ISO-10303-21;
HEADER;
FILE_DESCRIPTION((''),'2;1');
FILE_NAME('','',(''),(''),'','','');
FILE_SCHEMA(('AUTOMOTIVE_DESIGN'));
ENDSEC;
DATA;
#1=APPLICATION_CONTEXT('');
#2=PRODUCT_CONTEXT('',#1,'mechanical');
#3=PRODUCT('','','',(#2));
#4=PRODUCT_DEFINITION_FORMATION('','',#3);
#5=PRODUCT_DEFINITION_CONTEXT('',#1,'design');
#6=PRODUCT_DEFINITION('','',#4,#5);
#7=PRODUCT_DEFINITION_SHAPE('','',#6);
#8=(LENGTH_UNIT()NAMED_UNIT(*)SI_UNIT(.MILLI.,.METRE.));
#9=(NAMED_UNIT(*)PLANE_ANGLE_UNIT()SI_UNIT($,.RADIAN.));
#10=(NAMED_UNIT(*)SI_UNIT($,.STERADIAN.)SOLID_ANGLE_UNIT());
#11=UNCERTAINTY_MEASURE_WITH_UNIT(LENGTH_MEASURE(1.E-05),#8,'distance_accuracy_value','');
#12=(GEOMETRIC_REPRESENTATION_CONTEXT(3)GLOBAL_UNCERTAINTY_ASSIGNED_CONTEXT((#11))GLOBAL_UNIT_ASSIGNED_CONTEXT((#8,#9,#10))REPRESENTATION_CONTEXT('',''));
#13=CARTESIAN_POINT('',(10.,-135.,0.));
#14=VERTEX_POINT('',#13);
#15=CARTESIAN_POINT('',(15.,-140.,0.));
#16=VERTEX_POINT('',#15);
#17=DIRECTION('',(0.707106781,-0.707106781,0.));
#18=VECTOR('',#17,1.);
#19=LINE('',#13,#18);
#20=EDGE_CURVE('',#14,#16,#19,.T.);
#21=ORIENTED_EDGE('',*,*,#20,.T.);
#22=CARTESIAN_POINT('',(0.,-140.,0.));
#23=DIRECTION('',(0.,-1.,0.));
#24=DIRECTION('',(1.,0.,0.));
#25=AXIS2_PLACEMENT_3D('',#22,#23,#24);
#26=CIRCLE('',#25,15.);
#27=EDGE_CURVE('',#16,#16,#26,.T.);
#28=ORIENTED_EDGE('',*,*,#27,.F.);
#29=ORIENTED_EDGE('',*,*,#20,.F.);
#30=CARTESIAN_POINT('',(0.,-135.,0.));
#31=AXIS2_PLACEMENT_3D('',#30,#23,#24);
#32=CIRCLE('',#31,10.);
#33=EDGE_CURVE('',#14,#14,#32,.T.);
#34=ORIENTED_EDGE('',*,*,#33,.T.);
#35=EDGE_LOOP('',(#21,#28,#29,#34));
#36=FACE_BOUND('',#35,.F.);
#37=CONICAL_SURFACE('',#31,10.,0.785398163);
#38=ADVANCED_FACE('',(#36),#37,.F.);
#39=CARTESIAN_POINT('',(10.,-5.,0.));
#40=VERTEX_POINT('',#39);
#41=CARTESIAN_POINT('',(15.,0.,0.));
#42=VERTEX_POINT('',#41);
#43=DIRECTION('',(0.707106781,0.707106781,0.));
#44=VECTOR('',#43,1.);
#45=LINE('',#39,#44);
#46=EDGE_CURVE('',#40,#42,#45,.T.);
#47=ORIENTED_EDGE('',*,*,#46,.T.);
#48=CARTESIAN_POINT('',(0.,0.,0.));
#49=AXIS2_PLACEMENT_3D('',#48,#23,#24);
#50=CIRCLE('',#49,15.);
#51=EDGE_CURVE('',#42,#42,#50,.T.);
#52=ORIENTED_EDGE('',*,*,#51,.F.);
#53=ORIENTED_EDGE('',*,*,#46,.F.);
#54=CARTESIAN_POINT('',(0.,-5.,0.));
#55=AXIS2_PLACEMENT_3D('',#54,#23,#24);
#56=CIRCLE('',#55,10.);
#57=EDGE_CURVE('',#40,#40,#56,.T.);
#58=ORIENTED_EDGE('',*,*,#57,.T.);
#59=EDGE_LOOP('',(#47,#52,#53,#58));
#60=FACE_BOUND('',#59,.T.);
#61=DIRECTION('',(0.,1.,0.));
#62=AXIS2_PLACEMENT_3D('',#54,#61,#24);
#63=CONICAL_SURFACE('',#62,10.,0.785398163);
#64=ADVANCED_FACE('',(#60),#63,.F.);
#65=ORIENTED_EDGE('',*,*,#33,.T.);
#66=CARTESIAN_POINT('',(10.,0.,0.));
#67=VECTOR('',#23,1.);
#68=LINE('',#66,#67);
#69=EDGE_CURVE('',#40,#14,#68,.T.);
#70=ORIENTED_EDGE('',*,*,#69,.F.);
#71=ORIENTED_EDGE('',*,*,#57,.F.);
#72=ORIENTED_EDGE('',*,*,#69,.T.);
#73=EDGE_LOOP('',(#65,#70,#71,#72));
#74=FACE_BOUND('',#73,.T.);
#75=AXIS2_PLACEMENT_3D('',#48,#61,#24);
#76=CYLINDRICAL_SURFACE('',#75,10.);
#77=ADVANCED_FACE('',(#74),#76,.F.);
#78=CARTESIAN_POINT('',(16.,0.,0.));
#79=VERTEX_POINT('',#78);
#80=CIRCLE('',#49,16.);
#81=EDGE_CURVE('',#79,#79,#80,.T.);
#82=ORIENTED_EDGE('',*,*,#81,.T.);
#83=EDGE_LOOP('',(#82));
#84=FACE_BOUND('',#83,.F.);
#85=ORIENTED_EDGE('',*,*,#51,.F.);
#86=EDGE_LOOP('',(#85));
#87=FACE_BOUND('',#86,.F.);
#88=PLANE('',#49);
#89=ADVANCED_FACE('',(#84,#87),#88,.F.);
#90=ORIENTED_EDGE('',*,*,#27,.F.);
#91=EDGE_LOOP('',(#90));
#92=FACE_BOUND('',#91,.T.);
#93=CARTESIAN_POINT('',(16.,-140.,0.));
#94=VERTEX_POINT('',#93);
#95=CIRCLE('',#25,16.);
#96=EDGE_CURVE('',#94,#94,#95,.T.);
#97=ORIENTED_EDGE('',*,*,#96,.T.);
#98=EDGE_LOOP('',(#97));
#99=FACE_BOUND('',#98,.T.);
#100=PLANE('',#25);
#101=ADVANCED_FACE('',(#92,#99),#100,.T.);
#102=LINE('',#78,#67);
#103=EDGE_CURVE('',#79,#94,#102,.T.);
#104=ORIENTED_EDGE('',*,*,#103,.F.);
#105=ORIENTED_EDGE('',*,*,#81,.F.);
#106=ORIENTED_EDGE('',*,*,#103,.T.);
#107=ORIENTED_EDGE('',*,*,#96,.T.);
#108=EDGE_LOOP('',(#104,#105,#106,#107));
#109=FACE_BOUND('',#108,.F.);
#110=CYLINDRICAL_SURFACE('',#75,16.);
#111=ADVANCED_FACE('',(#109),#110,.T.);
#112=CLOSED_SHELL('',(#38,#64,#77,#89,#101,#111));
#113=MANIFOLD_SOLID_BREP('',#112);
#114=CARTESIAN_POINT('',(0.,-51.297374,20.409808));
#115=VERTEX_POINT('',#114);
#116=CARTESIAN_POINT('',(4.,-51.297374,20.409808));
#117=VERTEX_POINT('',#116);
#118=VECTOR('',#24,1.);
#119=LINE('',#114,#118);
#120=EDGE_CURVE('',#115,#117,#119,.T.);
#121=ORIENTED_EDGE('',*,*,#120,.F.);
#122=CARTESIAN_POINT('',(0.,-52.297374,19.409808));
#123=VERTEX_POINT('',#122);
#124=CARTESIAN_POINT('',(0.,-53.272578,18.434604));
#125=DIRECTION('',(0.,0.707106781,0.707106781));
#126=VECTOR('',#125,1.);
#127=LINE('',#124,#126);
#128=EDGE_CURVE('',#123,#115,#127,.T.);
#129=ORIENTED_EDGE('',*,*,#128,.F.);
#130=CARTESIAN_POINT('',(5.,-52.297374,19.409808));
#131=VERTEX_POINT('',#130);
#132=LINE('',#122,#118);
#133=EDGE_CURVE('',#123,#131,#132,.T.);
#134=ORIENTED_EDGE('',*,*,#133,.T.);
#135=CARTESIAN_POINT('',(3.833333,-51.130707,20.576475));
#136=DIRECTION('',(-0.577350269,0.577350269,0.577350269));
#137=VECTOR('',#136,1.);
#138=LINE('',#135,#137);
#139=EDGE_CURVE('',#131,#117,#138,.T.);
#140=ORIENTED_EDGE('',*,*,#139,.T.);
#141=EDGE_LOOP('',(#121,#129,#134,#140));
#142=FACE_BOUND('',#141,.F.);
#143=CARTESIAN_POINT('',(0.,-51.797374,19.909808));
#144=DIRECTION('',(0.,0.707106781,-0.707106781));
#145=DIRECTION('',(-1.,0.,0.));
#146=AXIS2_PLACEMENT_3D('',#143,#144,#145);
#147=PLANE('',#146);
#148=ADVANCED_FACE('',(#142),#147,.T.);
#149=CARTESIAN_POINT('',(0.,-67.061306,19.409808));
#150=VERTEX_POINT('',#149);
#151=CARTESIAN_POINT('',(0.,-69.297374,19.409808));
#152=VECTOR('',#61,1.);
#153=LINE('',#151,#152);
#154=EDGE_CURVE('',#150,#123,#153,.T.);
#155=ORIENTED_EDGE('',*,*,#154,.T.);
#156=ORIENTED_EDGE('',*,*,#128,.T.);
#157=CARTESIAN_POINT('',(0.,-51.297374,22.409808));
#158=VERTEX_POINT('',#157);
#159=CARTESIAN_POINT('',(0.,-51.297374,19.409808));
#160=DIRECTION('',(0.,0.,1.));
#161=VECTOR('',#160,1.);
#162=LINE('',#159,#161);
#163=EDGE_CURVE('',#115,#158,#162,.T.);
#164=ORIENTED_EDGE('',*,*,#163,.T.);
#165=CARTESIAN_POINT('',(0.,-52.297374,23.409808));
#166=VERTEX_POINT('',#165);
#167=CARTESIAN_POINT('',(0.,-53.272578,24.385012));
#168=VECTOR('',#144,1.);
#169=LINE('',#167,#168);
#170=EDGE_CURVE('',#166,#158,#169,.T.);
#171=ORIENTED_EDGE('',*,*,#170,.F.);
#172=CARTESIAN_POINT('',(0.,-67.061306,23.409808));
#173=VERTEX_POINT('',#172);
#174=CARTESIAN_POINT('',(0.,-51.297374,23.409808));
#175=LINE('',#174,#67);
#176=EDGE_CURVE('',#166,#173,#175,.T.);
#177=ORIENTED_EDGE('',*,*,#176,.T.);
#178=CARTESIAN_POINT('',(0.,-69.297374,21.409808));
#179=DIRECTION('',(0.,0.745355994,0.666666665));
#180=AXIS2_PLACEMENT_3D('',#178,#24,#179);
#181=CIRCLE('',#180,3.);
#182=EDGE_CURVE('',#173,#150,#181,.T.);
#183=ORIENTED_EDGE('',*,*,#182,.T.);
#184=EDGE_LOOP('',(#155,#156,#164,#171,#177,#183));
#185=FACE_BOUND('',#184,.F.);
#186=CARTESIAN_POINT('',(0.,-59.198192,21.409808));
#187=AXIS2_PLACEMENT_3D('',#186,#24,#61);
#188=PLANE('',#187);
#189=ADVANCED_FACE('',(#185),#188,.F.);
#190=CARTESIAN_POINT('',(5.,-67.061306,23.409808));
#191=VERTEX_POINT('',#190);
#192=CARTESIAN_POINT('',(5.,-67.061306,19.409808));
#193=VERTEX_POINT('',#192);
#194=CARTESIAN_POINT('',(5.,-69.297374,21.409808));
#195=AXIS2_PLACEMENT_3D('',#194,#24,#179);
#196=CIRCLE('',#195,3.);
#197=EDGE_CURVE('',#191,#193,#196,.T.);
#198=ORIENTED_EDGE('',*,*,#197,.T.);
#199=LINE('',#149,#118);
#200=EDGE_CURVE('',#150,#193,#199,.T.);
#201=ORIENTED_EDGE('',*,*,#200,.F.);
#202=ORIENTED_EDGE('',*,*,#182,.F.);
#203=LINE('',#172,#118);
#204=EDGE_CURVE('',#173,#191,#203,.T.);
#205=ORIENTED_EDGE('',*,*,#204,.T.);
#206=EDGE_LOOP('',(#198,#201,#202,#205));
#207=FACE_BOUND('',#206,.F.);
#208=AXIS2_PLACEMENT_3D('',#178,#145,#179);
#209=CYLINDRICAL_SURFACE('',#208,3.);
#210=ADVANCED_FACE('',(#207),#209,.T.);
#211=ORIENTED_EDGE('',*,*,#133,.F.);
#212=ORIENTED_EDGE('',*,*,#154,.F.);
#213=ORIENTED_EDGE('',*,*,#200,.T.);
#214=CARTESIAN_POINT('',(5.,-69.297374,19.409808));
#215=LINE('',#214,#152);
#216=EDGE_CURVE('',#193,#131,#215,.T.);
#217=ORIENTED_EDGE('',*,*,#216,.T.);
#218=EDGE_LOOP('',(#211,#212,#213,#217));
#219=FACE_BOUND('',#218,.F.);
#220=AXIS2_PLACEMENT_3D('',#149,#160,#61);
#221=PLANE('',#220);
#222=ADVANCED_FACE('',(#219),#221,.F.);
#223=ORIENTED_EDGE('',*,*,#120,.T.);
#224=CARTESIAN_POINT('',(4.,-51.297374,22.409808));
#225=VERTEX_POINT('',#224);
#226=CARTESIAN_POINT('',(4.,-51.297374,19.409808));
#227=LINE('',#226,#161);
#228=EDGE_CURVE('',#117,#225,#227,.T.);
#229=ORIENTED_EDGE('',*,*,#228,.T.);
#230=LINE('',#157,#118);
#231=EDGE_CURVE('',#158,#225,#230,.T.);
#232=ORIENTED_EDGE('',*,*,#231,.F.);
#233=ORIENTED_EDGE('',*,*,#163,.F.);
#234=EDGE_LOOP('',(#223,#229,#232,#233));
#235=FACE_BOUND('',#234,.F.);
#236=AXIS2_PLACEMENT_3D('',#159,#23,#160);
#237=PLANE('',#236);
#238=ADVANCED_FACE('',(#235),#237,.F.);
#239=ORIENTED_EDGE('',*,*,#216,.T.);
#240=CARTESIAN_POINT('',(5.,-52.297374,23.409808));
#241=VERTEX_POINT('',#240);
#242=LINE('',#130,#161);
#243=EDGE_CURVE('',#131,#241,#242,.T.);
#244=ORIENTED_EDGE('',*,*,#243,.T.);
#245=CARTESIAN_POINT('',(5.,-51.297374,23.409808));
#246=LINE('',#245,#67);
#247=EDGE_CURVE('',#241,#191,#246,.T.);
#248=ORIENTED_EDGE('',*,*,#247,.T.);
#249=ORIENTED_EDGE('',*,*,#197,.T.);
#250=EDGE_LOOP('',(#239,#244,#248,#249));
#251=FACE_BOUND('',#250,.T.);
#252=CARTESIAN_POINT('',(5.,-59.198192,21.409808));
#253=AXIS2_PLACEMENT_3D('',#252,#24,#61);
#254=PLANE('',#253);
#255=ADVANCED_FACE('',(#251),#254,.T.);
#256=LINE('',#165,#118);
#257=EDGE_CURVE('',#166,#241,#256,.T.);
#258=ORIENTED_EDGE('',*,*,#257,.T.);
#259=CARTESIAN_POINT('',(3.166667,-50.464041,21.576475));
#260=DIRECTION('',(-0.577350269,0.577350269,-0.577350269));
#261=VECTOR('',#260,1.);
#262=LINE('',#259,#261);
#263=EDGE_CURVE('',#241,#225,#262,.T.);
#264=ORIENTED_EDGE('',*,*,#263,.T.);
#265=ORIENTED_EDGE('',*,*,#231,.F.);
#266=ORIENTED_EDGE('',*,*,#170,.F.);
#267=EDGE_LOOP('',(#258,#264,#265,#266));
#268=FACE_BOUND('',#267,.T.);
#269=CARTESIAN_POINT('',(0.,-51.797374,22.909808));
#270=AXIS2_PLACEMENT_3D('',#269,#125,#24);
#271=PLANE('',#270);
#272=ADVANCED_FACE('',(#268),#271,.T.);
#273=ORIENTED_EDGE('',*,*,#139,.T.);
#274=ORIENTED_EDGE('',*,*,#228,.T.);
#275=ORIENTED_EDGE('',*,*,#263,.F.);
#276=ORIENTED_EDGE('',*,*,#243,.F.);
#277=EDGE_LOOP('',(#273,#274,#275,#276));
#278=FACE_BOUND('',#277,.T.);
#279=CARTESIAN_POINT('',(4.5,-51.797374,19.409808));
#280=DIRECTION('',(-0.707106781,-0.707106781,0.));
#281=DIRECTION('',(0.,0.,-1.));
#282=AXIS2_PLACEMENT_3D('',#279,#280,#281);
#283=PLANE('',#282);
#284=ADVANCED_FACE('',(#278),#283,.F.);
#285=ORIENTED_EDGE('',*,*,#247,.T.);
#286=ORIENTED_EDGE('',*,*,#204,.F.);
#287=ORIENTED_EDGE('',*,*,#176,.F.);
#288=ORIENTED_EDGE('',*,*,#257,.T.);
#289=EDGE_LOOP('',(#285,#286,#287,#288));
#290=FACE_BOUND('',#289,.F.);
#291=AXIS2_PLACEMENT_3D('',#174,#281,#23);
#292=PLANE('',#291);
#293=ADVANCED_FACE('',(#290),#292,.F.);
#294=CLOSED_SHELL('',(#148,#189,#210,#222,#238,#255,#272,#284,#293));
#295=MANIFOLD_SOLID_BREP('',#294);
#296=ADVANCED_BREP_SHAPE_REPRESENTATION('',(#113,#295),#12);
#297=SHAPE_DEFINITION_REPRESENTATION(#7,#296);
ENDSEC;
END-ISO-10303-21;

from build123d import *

# Parameters (mm, degrees)
F0_R     = 16
F0_R_2   = 10
F1_DEPTH = 140
F2_SIZE  = 5
F4_DEPTH = 5
F5_SIZE  = 1


with BuildPart() as f1:
    # F0 (on Front) → F1 (new body)
    with BuildSketch(Plane.XZ):
        Circle(F0_R)
        Circle(F0_R_2, mode=Mode.SUBTRACT)
    extrude(amount=F1_DEPTH)

    # F2
    f2_edges = [f1.edges().sort_by_distance(p)[0] for p in [
        (-10, -140, 0),
        (-10, 0, 0),
    ]]
    chamfer(f2_edges, length=F2_SIZE)


with BuildPart() as f4:
    # F3 (on Right) → F4 (new body)
    with BuildSketch(Plane.YZ):
        with BuildLine():
            Line((-51.297374, 23.409808), (-67.061306, 23.409808))
            ThreePointArc((-67.061306, 23.409808), (-66.494857, 22.480274), (-66.297374, 21.409808))
            ThreePointArc((-66.297374, 21.409808), (-66.494857, 20.339342), (-67.061306, 19.409808))
            Line((-67.061306, 19.409808), (-51.297374, 19.409808))
            Line((-51.297374, 19.409808), (-51.297374, 23.409808))
        make_face()
        with BuildLine():
            Line((-67.061306, 23.409808), (-69.297374, 23.409808))
            Line((-69.297374, 23.409808), (-69.297374, 19.409808))
            Line((-69.297374, 19.409808), (-67.061306, 19.409808))
            ThreePointArc((-67.061306, 19.409808), (-66.494857, 20.339342), (-66.297374, 21.409808))
            ThreePointArc((-66.297374, 21.409808), (-66.494857, 22.480274), (-67.061306, 23.409808))
        make_face()
        with BuildLine():
            Line((-69.297374, 19.409808), (-69.297374, 23.409808))
            Line((-69.297374, 23.409808), (-67.061306, 23.409808))
            ThreePointArc((-67.061306, 23.409808), (-72.297374, 21.409808), (-67.061306, 19.409808))
            Line((-67.061306, 19.409808), (-69.297374, 19.409808))
        make_face()
    extrude(amount=F4_DEPTH)

    # F5
    f5_edges = [f4.edges().sort_by_distance(p)[0] for p in [
        (2.5, -51.297374, 23.409808),
        (2.5, -51.297374, 19.409808),
        (5, -51.297374, 21.409808),
    ]]
    chamfer(f5_edges, length=F5_SIZE)


solid = Compound([f1.part, f4.part])
